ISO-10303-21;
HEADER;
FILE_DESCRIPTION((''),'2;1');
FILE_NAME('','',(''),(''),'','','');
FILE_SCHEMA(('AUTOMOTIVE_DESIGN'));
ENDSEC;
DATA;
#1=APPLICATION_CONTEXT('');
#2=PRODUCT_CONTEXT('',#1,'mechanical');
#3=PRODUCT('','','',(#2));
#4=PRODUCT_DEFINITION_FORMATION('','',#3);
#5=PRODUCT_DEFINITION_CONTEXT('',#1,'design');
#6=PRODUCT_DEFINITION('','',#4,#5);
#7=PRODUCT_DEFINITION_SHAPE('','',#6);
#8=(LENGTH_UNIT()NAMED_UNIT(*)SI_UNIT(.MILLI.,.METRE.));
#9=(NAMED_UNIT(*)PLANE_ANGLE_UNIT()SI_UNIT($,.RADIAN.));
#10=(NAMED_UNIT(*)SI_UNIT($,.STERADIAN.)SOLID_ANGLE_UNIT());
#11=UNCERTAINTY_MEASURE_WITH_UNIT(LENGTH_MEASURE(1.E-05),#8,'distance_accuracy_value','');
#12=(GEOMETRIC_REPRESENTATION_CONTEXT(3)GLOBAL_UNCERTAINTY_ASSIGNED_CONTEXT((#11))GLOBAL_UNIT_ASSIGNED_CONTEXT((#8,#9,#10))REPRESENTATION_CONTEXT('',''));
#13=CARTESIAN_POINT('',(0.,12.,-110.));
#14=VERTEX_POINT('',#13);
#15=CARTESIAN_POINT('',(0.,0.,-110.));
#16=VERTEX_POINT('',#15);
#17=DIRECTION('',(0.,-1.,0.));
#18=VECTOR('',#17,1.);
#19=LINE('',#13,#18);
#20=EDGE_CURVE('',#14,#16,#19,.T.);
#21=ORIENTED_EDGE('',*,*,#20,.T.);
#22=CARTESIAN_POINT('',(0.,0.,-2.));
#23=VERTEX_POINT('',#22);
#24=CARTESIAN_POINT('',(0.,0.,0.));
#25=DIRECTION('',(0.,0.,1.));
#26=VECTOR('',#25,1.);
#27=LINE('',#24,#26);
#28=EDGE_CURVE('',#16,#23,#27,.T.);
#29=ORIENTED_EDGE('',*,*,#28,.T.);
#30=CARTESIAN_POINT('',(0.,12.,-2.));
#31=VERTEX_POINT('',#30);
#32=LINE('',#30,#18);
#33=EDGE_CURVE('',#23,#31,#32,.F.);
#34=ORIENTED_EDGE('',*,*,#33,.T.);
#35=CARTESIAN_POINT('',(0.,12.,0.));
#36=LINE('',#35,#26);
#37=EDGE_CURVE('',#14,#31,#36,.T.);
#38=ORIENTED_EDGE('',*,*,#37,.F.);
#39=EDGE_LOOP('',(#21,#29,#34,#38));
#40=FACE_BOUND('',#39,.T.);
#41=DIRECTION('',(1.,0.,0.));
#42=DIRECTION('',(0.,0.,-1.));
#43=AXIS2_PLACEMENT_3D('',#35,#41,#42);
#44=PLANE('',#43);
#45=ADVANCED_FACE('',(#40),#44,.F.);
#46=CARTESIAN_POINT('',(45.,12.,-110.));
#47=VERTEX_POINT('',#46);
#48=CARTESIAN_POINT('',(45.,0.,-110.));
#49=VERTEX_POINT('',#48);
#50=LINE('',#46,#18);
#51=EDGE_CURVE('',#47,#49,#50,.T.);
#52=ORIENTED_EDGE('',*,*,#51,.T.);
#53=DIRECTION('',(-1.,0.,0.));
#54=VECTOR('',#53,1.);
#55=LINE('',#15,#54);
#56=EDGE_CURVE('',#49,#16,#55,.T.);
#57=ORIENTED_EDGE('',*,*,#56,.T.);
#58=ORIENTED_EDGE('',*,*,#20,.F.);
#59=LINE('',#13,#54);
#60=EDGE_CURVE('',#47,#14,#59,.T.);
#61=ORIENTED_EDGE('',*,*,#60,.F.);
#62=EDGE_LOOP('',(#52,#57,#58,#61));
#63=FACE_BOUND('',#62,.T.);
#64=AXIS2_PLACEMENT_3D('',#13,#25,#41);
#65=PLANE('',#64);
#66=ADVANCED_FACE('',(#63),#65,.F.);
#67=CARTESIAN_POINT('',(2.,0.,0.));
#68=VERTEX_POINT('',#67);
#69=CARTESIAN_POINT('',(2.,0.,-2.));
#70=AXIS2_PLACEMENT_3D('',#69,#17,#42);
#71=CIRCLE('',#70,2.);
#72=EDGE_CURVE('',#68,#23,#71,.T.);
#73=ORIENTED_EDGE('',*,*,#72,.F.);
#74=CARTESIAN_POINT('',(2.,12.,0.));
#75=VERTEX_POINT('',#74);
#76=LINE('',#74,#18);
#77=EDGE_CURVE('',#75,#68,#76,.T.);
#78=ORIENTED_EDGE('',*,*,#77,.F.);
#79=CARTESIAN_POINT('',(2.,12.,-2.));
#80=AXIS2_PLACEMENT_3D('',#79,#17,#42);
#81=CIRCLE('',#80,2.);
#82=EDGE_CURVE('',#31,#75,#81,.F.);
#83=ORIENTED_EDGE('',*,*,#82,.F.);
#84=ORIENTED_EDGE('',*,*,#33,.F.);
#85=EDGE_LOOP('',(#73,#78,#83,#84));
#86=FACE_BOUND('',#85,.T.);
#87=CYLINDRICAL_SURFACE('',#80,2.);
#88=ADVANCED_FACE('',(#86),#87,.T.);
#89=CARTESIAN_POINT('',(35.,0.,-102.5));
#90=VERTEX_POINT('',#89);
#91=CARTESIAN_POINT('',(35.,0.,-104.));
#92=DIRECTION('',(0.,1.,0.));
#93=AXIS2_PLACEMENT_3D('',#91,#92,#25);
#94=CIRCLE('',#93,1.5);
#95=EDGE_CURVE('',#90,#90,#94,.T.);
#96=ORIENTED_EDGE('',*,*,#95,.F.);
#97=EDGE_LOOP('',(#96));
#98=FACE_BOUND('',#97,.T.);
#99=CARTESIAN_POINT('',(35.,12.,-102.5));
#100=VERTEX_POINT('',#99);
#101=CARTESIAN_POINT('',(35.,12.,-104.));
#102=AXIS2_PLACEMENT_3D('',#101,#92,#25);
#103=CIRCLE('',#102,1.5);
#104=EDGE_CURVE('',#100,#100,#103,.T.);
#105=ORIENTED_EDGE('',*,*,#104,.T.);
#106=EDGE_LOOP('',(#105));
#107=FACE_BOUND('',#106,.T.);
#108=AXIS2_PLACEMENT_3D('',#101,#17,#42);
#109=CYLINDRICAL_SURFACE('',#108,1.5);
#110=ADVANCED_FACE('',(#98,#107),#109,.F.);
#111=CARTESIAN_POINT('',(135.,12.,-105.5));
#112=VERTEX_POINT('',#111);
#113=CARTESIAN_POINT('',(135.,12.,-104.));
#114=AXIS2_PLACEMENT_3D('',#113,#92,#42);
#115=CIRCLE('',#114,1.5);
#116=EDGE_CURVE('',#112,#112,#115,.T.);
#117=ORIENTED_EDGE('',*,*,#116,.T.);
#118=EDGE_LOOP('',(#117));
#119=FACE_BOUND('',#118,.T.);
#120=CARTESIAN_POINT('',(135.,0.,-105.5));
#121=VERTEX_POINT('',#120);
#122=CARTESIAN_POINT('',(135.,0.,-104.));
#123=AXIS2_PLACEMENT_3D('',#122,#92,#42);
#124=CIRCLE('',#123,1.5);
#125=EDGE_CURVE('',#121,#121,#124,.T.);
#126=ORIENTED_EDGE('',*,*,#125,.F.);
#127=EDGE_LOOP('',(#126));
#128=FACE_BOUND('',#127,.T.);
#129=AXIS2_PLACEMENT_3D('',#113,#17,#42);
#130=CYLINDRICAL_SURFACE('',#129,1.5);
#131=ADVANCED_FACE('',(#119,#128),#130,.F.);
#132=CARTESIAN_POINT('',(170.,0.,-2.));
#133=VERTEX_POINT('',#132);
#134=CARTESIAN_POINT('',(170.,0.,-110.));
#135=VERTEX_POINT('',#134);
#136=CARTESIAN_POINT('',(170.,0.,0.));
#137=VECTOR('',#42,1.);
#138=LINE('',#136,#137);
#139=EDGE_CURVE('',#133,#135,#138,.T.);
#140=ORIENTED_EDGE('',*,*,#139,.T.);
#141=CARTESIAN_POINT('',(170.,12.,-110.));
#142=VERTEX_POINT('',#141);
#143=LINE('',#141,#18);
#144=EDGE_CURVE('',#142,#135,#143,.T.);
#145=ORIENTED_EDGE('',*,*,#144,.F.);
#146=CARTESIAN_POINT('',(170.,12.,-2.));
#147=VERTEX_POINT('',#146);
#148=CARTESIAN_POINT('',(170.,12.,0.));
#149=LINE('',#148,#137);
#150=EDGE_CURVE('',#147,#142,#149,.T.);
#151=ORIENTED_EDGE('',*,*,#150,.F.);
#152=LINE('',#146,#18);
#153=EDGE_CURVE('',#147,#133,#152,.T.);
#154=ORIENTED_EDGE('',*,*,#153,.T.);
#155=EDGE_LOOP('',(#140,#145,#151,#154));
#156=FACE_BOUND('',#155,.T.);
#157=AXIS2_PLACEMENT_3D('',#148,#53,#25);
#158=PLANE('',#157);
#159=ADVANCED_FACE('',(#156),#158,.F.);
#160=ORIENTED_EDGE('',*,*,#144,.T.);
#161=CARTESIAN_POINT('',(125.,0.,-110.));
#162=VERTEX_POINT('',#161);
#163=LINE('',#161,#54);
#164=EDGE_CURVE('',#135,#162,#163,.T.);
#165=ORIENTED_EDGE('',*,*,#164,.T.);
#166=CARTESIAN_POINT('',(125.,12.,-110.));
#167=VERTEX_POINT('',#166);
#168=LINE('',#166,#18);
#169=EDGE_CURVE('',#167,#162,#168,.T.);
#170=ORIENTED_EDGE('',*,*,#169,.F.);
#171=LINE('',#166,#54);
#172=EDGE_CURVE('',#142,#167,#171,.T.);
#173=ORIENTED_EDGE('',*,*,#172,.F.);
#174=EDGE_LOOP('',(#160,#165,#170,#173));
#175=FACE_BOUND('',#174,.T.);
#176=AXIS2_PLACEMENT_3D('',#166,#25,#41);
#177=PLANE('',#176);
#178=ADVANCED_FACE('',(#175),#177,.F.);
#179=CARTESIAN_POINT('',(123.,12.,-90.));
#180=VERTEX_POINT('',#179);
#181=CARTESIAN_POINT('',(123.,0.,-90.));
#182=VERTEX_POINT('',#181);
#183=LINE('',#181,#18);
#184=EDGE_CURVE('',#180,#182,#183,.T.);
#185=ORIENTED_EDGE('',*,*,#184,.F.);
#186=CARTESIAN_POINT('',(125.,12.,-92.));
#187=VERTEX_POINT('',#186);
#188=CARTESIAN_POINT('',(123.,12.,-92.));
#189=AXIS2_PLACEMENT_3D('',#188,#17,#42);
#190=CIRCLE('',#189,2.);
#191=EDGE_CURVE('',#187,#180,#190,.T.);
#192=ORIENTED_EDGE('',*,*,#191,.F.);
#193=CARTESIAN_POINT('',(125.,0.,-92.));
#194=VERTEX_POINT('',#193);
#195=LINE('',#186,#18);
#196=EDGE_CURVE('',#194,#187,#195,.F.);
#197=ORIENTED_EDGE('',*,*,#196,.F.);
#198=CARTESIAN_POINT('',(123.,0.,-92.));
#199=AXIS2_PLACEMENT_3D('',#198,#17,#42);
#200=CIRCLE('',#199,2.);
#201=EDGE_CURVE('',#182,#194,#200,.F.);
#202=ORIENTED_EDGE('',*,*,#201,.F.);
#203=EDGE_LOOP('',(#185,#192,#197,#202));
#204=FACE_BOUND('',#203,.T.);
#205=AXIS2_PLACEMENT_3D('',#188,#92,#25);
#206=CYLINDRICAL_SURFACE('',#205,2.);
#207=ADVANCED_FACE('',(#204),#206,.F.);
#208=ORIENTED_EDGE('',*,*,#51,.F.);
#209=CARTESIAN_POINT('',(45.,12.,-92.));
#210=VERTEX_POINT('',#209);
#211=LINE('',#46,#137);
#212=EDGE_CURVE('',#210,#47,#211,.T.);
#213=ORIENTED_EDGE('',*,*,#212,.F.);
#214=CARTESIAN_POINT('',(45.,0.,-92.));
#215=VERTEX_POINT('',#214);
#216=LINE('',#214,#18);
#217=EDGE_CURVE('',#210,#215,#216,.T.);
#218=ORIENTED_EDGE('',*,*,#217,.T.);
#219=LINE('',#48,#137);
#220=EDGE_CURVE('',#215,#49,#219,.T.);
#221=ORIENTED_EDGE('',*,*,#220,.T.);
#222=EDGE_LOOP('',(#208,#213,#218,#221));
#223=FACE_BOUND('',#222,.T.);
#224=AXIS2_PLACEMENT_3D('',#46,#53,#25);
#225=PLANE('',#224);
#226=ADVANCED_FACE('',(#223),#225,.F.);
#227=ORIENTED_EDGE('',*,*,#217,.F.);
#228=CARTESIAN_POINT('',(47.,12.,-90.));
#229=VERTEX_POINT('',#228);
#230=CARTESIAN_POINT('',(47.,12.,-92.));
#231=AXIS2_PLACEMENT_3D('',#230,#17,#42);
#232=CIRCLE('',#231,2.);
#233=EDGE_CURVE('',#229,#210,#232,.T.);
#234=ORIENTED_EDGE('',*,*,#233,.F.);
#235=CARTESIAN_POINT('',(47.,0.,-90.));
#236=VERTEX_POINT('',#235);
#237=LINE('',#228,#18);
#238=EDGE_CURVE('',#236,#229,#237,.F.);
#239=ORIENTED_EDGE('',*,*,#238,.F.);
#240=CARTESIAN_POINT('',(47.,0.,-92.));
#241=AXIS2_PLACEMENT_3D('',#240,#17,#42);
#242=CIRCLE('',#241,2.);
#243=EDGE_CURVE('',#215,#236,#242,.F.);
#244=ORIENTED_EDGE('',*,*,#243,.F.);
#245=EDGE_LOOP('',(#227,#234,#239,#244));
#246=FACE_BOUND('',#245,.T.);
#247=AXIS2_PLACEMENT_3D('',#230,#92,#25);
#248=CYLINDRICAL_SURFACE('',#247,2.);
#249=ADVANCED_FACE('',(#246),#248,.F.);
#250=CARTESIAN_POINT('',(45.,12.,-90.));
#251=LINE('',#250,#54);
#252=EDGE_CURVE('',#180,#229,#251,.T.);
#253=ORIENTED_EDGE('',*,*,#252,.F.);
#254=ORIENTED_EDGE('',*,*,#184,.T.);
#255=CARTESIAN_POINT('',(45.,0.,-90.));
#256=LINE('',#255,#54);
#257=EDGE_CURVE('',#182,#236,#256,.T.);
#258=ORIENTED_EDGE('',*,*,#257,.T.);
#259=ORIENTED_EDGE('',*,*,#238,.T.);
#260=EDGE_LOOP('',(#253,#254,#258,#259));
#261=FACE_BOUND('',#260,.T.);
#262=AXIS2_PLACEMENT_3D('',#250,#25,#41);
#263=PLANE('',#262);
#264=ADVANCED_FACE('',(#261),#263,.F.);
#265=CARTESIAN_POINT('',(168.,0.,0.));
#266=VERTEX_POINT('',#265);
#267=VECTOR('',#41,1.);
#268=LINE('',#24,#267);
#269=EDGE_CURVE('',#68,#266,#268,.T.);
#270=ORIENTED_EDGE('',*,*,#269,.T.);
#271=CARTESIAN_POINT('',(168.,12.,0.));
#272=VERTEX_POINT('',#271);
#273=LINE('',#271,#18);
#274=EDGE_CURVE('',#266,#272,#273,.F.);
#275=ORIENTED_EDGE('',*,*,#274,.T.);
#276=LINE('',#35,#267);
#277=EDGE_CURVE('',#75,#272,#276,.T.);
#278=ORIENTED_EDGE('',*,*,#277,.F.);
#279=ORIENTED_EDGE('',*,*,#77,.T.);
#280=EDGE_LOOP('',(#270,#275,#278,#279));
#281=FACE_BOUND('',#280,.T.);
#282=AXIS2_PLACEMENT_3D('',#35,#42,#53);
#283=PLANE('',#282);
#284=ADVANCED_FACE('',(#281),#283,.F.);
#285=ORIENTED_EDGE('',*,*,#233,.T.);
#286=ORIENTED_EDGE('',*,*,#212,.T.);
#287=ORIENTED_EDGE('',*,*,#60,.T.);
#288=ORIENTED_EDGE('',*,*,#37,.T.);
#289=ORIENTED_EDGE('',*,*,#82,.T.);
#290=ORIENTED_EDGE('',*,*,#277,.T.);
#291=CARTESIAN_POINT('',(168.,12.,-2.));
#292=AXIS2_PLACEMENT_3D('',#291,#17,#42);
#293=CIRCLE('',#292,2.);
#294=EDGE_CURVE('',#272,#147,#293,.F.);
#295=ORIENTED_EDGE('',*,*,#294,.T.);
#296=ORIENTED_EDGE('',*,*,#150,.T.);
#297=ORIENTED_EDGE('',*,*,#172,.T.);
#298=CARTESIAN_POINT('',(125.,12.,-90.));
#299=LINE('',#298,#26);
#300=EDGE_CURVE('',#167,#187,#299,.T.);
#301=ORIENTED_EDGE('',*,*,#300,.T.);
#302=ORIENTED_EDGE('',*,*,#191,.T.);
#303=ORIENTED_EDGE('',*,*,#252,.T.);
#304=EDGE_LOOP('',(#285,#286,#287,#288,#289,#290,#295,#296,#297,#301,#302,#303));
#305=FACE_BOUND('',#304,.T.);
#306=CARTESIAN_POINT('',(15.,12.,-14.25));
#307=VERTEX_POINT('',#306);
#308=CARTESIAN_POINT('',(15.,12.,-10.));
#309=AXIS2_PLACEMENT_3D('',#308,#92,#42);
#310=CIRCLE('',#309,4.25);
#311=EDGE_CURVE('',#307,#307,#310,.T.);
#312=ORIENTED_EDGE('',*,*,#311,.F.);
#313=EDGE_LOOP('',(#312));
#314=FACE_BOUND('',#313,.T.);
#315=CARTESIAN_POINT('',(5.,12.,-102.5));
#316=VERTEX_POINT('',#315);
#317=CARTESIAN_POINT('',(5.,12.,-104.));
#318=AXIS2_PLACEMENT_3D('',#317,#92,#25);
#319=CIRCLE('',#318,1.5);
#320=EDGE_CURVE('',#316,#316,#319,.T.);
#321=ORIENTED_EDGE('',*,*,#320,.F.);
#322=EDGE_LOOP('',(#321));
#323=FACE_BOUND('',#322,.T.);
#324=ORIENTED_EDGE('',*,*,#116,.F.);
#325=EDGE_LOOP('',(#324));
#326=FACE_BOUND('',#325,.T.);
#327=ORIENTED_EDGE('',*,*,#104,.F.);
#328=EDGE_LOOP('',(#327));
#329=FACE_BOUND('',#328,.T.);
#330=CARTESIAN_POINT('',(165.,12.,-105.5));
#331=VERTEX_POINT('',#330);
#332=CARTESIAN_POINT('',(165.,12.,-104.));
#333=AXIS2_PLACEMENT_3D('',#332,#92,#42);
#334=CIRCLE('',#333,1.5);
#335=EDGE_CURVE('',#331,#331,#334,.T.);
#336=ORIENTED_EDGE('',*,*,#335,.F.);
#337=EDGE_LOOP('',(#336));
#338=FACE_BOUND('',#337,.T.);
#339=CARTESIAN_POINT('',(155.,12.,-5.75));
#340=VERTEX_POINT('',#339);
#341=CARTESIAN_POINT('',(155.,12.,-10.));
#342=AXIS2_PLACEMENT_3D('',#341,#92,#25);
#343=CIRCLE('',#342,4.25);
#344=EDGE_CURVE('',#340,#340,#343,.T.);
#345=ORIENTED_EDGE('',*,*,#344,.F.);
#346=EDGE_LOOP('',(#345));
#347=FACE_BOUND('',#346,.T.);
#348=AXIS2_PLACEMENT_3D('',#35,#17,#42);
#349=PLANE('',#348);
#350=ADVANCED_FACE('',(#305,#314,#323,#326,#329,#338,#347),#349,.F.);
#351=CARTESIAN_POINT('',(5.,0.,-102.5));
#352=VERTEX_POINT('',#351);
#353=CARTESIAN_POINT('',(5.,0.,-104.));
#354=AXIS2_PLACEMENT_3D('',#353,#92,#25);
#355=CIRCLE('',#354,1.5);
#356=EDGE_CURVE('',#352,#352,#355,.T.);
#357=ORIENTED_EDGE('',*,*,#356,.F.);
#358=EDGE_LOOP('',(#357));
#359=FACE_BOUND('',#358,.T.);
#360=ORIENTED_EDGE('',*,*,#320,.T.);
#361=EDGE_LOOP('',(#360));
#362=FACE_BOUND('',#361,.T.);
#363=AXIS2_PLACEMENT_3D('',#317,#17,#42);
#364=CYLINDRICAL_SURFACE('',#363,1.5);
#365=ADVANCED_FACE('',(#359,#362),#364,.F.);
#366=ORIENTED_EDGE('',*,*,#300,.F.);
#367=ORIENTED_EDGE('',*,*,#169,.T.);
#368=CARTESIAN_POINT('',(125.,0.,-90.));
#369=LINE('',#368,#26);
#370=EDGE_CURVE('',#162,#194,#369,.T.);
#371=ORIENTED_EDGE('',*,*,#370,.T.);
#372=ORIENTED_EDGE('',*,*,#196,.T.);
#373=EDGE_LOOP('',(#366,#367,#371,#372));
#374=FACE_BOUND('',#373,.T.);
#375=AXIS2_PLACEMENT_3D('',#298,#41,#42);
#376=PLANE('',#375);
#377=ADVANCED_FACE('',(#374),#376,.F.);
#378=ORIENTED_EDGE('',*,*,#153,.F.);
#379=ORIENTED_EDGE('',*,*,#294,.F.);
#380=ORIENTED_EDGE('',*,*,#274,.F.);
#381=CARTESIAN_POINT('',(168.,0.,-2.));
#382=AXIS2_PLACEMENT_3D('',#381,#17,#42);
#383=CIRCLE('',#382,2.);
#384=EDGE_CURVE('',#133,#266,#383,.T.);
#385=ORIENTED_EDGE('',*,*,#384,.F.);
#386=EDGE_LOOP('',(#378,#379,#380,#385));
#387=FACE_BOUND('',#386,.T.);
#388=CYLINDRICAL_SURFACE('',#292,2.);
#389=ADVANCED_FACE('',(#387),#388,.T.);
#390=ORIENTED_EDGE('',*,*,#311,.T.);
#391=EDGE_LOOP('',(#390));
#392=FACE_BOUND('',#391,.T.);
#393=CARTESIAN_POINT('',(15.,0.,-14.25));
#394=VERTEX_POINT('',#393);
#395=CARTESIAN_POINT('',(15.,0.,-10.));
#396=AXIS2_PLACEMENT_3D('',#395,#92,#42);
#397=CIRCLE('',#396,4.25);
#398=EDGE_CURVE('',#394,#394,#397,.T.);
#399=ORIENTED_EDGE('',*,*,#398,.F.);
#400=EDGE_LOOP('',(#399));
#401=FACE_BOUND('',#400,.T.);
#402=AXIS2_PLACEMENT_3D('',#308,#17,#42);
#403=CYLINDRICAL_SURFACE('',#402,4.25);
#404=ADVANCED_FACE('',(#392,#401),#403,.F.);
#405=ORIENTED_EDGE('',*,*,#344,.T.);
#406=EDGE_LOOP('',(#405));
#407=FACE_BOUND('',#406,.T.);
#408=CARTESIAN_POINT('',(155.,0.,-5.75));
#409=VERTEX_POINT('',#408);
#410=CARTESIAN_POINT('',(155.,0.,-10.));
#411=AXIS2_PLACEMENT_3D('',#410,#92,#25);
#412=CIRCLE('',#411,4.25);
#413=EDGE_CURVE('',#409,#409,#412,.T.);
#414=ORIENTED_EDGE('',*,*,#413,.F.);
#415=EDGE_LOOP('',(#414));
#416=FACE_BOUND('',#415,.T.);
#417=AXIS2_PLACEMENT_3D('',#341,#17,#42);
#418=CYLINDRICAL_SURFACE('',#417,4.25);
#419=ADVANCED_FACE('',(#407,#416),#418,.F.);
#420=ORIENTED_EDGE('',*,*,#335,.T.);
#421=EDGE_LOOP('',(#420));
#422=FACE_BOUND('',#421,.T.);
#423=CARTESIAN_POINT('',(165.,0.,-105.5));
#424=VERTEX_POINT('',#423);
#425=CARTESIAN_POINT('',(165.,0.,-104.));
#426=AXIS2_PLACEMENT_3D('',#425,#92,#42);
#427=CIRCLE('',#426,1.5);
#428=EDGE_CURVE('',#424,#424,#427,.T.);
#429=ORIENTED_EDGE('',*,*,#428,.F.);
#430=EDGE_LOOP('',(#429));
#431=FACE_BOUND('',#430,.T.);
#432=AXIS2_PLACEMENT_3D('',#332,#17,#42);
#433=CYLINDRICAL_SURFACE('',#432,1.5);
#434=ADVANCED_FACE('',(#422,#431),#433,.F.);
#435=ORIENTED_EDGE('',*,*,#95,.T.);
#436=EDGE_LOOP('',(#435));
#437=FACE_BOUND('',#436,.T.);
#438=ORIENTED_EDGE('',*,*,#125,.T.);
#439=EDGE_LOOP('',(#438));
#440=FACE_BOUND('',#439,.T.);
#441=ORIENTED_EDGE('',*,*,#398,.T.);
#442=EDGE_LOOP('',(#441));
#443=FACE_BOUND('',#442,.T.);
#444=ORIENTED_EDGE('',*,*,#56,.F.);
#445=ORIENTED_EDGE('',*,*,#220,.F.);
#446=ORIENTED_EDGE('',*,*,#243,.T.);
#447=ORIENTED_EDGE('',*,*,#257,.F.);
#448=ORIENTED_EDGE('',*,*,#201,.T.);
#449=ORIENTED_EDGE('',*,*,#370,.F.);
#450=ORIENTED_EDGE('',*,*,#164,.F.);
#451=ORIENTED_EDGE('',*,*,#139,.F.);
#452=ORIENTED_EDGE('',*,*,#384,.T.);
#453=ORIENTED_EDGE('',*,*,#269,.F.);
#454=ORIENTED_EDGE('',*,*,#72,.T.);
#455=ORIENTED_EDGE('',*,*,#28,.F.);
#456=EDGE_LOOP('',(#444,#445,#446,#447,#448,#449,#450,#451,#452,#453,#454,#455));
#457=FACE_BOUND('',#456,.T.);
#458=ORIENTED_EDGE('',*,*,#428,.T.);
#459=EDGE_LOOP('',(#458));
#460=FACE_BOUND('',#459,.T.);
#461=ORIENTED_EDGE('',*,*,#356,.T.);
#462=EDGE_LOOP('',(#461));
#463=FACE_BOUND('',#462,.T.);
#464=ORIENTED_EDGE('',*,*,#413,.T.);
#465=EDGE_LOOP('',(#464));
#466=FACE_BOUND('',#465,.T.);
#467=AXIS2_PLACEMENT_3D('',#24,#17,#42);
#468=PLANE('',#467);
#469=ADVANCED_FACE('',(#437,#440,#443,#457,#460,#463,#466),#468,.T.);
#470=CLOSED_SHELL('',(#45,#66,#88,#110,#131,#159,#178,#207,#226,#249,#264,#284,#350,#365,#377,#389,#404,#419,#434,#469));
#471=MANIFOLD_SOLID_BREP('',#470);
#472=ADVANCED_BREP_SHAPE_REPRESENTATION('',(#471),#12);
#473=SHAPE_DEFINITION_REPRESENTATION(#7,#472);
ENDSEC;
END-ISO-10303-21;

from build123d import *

# Parameters (mm, degrees)
SKETCH1_R           = 4.25
SKETCH1_R_2         = 1.5
BOSS_EXTRUDE1_DEPTH = 12
FILLET1_R           = 2


with BuildPart() as part:
    # Sketch1 → Boss-Extrude1 (new body)
    with BuildSketch(Plane(origin=(0, 0, 0), x_dir=(1, 0, 0), z_dir=(0, 1, 0))):
        Polygon((0, 0), (170, 0), (170, 110), (125, 110), (125, 90), (45, 90), (45, 110), (0, 110), align=None)
        with Locations(Location((155, 10, 0), (0, 0, 270))):
            Circle(SKETCH1_R, mode=Mode.SUBTRACT)
        with Locations(Location((15, 10, 0), (0, 0, 90))):
            Circle(SKETCH1_R, mode=Mode.SUBTRACT)
        with Locations(Location((5, 104, 0), (0, 0, 270))):
            Circle(SKETCH1_R_2, mode=Mode.SUBTRACT)
        with Locations(Location((35, 104, 0), (0, 0, 270))):
            Circle(SKETCH1_R_2, mode=Mode.SUBTRACT)
        with Locations(Location((165, 104, 0), (0, 0, 90))):
            Circle(SKETCH1_R_2, mode=Mode.SUBTRACT)
        with Locations(Location((135, 104, 0), (0, 0, 90))):
            Circle(SKETCH1_R_2, mode=Mode.SUBTRACT)
    extrude(amount=BOSS_EXTRUDE1_DEPTH)

    # Fillet1
    fillet1_edges = [part.edges().sort_by_distance(p)[0] for p in [
        (45, 6, -90),
        (125, 6, -90),
        (170, 6, 0),
        (0, 6, 0),
    ]]
    fillet(fillet1_edges, radius=FILLET1_R)


solid = part.part
